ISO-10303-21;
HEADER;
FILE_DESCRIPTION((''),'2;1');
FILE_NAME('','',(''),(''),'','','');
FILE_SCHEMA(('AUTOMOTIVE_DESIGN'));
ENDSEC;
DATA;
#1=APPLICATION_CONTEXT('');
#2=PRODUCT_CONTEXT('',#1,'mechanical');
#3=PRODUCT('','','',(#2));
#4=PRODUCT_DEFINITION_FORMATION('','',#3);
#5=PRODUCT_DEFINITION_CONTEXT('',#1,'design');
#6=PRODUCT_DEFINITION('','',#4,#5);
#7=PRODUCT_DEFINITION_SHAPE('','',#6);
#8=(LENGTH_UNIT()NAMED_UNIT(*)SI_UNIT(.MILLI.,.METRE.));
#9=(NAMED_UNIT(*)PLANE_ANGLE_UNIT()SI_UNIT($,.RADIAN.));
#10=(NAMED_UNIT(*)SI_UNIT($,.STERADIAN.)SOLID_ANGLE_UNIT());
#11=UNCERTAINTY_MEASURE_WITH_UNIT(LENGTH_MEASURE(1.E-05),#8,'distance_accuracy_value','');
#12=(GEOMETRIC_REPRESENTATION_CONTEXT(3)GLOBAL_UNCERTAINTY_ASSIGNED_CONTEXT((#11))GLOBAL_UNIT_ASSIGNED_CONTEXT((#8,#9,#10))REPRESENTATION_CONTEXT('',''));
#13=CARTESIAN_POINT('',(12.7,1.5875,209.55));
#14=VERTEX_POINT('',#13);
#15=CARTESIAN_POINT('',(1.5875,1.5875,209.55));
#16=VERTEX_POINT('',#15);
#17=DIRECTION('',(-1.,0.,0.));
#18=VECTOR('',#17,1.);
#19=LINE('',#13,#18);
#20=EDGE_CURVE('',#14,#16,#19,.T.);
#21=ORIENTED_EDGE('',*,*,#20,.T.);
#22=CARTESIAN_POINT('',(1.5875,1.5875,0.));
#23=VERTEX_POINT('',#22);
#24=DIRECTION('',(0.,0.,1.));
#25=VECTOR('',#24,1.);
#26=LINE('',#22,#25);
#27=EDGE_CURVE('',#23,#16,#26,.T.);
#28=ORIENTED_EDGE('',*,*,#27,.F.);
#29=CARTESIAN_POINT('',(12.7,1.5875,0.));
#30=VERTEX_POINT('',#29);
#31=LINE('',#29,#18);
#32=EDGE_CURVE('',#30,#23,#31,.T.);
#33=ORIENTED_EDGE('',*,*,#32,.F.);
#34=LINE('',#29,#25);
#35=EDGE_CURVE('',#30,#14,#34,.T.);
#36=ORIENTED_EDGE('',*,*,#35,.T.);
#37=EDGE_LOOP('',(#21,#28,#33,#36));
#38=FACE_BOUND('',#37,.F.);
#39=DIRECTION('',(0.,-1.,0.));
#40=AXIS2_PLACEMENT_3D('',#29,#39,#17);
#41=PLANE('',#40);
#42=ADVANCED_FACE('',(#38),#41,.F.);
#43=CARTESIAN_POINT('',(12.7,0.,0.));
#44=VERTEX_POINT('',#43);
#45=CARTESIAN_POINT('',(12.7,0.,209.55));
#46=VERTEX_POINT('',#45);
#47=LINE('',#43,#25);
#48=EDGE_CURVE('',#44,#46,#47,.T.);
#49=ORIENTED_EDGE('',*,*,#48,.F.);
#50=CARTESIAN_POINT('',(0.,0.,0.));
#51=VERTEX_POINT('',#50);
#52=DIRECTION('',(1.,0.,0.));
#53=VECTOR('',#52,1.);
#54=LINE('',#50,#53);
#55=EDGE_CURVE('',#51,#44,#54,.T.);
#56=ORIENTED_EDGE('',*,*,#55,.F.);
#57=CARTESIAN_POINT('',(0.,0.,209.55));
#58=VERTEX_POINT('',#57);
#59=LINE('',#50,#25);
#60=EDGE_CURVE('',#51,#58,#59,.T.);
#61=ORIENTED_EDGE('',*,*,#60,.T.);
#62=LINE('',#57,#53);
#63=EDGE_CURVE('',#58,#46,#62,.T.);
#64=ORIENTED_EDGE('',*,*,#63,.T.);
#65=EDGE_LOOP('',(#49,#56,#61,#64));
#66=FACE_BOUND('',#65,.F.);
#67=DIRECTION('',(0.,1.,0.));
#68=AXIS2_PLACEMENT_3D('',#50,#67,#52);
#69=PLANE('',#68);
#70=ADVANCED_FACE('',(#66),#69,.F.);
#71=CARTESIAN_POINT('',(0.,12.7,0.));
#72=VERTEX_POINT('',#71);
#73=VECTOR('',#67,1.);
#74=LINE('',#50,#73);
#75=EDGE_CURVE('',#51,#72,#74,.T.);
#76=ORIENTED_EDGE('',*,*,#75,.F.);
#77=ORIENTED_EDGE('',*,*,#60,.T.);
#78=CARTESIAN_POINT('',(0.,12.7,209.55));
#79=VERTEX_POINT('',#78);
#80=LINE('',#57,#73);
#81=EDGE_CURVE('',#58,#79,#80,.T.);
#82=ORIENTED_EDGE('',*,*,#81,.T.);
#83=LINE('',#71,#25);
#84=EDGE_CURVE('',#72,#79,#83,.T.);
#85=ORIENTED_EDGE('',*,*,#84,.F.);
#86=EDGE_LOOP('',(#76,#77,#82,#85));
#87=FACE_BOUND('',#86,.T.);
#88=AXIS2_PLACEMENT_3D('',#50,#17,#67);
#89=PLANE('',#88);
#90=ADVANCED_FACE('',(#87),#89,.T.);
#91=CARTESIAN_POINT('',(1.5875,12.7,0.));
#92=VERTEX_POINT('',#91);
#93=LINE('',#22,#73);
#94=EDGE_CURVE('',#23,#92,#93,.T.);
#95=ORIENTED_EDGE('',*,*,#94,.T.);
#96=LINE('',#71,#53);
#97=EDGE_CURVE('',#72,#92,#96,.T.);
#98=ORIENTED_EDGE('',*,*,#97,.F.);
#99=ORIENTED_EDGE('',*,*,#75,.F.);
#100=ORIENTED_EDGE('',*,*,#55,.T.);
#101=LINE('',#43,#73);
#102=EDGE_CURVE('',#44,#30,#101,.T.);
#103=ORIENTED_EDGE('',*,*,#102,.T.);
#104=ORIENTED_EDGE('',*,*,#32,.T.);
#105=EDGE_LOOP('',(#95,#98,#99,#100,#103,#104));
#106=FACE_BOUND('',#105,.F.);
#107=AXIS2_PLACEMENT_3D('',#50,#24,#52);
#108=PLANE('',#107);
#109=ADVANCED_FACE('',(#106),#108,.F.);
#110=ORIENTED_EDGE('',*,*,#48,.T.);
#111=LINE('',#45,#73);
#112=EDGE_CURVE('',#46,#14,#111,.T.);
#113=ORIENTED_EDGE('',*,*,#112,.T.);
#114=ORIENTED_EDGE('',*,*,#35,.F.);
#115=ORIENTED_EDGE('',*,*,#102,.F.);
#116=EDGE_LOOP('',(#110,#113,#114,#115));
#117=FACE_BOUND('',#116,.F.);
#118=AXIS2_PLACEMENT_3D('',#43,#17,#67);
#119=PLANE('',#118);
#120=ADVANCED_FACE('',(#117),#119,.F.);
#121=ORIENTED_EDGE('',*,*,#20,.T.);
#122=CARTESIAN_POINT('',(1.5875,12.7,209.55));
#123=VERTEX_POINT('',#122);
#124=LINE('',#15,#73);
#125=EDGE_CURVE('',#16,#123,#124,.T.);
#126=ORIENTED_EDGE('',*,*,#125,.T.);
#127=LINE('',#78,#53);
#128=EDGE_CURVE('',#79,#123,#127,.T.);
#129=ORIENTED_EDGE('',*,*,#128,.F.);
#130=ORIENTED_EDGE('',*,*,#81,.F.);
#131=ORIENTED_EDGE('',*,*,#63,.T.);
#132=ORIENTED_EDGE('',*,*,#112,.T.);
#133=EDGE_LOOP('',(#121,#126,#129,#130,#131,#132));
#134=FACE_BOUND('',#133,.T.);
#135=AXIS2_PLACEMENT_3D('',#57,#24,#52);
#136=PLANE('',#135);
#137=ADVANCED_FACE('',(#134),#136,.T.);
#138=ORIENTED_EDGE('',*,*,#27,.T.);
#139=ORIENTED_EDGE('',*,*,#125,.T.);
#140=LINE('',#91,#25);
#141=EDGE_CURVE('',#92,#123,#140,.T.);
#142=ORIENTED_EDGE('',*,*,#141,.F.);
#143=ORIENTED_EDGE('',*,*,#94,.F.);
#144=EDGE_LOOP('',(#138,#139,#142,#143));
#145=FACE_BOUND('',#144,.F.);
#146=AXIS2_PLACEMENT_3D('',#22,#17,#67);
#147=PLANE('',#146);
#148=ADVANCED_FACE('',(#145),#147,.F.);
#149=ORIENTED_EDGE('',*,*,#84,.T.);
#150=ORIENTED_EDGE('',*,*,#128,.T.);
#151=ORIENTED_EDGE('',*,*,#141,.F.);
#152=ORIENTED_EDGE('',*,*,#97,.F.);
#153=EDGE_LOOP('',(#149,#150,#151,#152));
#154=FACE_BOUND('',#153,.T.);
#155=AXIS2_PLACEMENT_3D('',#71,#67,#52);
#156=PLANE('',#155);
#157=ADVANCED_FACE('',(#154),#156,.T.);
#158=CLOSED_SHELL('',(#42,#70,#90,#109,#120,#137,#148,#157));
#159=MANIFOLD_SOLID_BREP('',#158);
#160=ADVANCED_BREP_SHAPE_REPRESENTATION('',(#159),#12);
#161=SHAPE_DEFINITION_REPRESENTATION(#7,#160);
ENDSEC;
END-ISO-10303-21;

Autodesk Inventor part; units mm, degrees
ref_plane "YZ Plane" through (0, 0, 0) normal (1, 0, 0) x (0, 1, 0)
ref_plane "XZ Plane" through (0, 0, 0) normal (0, 1, 0) x (-1, 0, 0)
ref_plane "XY Plane" through (0, 0, 0) normal (0, 0, 1) x (1, 0, 0)
sketch "Sketch1" plane through (0, 0, 0) normal (0, 0, 1) x (1, 0, 0)
  line L0 (0, 0) -> (0, 12.7)
  line L1 (0, 12.7) -> (1.5875, 12.7)
  line L2 (0, 0) -> (12.7, 0)
  line L3 (12.7, 0) -> (12.7, 1.5875)
  line L4 (12.7, 1.5875) -> (1.5875, 1.5875)
  line L5 (1.5875, 1.5875) -> (1.5875, 12.7)
  dimension "d0" = 12.7
  dimension "d1" = 1.5875
  dimension "d2" = 12.7
  dimension "d3" = 1.5875
extrude "Extrusion1" add sketch "Sketch1" along normal blind 209.55
properties part number "Bumper Metal Edge Part4 (26x28 robot)" material "Aluminum 6061"
